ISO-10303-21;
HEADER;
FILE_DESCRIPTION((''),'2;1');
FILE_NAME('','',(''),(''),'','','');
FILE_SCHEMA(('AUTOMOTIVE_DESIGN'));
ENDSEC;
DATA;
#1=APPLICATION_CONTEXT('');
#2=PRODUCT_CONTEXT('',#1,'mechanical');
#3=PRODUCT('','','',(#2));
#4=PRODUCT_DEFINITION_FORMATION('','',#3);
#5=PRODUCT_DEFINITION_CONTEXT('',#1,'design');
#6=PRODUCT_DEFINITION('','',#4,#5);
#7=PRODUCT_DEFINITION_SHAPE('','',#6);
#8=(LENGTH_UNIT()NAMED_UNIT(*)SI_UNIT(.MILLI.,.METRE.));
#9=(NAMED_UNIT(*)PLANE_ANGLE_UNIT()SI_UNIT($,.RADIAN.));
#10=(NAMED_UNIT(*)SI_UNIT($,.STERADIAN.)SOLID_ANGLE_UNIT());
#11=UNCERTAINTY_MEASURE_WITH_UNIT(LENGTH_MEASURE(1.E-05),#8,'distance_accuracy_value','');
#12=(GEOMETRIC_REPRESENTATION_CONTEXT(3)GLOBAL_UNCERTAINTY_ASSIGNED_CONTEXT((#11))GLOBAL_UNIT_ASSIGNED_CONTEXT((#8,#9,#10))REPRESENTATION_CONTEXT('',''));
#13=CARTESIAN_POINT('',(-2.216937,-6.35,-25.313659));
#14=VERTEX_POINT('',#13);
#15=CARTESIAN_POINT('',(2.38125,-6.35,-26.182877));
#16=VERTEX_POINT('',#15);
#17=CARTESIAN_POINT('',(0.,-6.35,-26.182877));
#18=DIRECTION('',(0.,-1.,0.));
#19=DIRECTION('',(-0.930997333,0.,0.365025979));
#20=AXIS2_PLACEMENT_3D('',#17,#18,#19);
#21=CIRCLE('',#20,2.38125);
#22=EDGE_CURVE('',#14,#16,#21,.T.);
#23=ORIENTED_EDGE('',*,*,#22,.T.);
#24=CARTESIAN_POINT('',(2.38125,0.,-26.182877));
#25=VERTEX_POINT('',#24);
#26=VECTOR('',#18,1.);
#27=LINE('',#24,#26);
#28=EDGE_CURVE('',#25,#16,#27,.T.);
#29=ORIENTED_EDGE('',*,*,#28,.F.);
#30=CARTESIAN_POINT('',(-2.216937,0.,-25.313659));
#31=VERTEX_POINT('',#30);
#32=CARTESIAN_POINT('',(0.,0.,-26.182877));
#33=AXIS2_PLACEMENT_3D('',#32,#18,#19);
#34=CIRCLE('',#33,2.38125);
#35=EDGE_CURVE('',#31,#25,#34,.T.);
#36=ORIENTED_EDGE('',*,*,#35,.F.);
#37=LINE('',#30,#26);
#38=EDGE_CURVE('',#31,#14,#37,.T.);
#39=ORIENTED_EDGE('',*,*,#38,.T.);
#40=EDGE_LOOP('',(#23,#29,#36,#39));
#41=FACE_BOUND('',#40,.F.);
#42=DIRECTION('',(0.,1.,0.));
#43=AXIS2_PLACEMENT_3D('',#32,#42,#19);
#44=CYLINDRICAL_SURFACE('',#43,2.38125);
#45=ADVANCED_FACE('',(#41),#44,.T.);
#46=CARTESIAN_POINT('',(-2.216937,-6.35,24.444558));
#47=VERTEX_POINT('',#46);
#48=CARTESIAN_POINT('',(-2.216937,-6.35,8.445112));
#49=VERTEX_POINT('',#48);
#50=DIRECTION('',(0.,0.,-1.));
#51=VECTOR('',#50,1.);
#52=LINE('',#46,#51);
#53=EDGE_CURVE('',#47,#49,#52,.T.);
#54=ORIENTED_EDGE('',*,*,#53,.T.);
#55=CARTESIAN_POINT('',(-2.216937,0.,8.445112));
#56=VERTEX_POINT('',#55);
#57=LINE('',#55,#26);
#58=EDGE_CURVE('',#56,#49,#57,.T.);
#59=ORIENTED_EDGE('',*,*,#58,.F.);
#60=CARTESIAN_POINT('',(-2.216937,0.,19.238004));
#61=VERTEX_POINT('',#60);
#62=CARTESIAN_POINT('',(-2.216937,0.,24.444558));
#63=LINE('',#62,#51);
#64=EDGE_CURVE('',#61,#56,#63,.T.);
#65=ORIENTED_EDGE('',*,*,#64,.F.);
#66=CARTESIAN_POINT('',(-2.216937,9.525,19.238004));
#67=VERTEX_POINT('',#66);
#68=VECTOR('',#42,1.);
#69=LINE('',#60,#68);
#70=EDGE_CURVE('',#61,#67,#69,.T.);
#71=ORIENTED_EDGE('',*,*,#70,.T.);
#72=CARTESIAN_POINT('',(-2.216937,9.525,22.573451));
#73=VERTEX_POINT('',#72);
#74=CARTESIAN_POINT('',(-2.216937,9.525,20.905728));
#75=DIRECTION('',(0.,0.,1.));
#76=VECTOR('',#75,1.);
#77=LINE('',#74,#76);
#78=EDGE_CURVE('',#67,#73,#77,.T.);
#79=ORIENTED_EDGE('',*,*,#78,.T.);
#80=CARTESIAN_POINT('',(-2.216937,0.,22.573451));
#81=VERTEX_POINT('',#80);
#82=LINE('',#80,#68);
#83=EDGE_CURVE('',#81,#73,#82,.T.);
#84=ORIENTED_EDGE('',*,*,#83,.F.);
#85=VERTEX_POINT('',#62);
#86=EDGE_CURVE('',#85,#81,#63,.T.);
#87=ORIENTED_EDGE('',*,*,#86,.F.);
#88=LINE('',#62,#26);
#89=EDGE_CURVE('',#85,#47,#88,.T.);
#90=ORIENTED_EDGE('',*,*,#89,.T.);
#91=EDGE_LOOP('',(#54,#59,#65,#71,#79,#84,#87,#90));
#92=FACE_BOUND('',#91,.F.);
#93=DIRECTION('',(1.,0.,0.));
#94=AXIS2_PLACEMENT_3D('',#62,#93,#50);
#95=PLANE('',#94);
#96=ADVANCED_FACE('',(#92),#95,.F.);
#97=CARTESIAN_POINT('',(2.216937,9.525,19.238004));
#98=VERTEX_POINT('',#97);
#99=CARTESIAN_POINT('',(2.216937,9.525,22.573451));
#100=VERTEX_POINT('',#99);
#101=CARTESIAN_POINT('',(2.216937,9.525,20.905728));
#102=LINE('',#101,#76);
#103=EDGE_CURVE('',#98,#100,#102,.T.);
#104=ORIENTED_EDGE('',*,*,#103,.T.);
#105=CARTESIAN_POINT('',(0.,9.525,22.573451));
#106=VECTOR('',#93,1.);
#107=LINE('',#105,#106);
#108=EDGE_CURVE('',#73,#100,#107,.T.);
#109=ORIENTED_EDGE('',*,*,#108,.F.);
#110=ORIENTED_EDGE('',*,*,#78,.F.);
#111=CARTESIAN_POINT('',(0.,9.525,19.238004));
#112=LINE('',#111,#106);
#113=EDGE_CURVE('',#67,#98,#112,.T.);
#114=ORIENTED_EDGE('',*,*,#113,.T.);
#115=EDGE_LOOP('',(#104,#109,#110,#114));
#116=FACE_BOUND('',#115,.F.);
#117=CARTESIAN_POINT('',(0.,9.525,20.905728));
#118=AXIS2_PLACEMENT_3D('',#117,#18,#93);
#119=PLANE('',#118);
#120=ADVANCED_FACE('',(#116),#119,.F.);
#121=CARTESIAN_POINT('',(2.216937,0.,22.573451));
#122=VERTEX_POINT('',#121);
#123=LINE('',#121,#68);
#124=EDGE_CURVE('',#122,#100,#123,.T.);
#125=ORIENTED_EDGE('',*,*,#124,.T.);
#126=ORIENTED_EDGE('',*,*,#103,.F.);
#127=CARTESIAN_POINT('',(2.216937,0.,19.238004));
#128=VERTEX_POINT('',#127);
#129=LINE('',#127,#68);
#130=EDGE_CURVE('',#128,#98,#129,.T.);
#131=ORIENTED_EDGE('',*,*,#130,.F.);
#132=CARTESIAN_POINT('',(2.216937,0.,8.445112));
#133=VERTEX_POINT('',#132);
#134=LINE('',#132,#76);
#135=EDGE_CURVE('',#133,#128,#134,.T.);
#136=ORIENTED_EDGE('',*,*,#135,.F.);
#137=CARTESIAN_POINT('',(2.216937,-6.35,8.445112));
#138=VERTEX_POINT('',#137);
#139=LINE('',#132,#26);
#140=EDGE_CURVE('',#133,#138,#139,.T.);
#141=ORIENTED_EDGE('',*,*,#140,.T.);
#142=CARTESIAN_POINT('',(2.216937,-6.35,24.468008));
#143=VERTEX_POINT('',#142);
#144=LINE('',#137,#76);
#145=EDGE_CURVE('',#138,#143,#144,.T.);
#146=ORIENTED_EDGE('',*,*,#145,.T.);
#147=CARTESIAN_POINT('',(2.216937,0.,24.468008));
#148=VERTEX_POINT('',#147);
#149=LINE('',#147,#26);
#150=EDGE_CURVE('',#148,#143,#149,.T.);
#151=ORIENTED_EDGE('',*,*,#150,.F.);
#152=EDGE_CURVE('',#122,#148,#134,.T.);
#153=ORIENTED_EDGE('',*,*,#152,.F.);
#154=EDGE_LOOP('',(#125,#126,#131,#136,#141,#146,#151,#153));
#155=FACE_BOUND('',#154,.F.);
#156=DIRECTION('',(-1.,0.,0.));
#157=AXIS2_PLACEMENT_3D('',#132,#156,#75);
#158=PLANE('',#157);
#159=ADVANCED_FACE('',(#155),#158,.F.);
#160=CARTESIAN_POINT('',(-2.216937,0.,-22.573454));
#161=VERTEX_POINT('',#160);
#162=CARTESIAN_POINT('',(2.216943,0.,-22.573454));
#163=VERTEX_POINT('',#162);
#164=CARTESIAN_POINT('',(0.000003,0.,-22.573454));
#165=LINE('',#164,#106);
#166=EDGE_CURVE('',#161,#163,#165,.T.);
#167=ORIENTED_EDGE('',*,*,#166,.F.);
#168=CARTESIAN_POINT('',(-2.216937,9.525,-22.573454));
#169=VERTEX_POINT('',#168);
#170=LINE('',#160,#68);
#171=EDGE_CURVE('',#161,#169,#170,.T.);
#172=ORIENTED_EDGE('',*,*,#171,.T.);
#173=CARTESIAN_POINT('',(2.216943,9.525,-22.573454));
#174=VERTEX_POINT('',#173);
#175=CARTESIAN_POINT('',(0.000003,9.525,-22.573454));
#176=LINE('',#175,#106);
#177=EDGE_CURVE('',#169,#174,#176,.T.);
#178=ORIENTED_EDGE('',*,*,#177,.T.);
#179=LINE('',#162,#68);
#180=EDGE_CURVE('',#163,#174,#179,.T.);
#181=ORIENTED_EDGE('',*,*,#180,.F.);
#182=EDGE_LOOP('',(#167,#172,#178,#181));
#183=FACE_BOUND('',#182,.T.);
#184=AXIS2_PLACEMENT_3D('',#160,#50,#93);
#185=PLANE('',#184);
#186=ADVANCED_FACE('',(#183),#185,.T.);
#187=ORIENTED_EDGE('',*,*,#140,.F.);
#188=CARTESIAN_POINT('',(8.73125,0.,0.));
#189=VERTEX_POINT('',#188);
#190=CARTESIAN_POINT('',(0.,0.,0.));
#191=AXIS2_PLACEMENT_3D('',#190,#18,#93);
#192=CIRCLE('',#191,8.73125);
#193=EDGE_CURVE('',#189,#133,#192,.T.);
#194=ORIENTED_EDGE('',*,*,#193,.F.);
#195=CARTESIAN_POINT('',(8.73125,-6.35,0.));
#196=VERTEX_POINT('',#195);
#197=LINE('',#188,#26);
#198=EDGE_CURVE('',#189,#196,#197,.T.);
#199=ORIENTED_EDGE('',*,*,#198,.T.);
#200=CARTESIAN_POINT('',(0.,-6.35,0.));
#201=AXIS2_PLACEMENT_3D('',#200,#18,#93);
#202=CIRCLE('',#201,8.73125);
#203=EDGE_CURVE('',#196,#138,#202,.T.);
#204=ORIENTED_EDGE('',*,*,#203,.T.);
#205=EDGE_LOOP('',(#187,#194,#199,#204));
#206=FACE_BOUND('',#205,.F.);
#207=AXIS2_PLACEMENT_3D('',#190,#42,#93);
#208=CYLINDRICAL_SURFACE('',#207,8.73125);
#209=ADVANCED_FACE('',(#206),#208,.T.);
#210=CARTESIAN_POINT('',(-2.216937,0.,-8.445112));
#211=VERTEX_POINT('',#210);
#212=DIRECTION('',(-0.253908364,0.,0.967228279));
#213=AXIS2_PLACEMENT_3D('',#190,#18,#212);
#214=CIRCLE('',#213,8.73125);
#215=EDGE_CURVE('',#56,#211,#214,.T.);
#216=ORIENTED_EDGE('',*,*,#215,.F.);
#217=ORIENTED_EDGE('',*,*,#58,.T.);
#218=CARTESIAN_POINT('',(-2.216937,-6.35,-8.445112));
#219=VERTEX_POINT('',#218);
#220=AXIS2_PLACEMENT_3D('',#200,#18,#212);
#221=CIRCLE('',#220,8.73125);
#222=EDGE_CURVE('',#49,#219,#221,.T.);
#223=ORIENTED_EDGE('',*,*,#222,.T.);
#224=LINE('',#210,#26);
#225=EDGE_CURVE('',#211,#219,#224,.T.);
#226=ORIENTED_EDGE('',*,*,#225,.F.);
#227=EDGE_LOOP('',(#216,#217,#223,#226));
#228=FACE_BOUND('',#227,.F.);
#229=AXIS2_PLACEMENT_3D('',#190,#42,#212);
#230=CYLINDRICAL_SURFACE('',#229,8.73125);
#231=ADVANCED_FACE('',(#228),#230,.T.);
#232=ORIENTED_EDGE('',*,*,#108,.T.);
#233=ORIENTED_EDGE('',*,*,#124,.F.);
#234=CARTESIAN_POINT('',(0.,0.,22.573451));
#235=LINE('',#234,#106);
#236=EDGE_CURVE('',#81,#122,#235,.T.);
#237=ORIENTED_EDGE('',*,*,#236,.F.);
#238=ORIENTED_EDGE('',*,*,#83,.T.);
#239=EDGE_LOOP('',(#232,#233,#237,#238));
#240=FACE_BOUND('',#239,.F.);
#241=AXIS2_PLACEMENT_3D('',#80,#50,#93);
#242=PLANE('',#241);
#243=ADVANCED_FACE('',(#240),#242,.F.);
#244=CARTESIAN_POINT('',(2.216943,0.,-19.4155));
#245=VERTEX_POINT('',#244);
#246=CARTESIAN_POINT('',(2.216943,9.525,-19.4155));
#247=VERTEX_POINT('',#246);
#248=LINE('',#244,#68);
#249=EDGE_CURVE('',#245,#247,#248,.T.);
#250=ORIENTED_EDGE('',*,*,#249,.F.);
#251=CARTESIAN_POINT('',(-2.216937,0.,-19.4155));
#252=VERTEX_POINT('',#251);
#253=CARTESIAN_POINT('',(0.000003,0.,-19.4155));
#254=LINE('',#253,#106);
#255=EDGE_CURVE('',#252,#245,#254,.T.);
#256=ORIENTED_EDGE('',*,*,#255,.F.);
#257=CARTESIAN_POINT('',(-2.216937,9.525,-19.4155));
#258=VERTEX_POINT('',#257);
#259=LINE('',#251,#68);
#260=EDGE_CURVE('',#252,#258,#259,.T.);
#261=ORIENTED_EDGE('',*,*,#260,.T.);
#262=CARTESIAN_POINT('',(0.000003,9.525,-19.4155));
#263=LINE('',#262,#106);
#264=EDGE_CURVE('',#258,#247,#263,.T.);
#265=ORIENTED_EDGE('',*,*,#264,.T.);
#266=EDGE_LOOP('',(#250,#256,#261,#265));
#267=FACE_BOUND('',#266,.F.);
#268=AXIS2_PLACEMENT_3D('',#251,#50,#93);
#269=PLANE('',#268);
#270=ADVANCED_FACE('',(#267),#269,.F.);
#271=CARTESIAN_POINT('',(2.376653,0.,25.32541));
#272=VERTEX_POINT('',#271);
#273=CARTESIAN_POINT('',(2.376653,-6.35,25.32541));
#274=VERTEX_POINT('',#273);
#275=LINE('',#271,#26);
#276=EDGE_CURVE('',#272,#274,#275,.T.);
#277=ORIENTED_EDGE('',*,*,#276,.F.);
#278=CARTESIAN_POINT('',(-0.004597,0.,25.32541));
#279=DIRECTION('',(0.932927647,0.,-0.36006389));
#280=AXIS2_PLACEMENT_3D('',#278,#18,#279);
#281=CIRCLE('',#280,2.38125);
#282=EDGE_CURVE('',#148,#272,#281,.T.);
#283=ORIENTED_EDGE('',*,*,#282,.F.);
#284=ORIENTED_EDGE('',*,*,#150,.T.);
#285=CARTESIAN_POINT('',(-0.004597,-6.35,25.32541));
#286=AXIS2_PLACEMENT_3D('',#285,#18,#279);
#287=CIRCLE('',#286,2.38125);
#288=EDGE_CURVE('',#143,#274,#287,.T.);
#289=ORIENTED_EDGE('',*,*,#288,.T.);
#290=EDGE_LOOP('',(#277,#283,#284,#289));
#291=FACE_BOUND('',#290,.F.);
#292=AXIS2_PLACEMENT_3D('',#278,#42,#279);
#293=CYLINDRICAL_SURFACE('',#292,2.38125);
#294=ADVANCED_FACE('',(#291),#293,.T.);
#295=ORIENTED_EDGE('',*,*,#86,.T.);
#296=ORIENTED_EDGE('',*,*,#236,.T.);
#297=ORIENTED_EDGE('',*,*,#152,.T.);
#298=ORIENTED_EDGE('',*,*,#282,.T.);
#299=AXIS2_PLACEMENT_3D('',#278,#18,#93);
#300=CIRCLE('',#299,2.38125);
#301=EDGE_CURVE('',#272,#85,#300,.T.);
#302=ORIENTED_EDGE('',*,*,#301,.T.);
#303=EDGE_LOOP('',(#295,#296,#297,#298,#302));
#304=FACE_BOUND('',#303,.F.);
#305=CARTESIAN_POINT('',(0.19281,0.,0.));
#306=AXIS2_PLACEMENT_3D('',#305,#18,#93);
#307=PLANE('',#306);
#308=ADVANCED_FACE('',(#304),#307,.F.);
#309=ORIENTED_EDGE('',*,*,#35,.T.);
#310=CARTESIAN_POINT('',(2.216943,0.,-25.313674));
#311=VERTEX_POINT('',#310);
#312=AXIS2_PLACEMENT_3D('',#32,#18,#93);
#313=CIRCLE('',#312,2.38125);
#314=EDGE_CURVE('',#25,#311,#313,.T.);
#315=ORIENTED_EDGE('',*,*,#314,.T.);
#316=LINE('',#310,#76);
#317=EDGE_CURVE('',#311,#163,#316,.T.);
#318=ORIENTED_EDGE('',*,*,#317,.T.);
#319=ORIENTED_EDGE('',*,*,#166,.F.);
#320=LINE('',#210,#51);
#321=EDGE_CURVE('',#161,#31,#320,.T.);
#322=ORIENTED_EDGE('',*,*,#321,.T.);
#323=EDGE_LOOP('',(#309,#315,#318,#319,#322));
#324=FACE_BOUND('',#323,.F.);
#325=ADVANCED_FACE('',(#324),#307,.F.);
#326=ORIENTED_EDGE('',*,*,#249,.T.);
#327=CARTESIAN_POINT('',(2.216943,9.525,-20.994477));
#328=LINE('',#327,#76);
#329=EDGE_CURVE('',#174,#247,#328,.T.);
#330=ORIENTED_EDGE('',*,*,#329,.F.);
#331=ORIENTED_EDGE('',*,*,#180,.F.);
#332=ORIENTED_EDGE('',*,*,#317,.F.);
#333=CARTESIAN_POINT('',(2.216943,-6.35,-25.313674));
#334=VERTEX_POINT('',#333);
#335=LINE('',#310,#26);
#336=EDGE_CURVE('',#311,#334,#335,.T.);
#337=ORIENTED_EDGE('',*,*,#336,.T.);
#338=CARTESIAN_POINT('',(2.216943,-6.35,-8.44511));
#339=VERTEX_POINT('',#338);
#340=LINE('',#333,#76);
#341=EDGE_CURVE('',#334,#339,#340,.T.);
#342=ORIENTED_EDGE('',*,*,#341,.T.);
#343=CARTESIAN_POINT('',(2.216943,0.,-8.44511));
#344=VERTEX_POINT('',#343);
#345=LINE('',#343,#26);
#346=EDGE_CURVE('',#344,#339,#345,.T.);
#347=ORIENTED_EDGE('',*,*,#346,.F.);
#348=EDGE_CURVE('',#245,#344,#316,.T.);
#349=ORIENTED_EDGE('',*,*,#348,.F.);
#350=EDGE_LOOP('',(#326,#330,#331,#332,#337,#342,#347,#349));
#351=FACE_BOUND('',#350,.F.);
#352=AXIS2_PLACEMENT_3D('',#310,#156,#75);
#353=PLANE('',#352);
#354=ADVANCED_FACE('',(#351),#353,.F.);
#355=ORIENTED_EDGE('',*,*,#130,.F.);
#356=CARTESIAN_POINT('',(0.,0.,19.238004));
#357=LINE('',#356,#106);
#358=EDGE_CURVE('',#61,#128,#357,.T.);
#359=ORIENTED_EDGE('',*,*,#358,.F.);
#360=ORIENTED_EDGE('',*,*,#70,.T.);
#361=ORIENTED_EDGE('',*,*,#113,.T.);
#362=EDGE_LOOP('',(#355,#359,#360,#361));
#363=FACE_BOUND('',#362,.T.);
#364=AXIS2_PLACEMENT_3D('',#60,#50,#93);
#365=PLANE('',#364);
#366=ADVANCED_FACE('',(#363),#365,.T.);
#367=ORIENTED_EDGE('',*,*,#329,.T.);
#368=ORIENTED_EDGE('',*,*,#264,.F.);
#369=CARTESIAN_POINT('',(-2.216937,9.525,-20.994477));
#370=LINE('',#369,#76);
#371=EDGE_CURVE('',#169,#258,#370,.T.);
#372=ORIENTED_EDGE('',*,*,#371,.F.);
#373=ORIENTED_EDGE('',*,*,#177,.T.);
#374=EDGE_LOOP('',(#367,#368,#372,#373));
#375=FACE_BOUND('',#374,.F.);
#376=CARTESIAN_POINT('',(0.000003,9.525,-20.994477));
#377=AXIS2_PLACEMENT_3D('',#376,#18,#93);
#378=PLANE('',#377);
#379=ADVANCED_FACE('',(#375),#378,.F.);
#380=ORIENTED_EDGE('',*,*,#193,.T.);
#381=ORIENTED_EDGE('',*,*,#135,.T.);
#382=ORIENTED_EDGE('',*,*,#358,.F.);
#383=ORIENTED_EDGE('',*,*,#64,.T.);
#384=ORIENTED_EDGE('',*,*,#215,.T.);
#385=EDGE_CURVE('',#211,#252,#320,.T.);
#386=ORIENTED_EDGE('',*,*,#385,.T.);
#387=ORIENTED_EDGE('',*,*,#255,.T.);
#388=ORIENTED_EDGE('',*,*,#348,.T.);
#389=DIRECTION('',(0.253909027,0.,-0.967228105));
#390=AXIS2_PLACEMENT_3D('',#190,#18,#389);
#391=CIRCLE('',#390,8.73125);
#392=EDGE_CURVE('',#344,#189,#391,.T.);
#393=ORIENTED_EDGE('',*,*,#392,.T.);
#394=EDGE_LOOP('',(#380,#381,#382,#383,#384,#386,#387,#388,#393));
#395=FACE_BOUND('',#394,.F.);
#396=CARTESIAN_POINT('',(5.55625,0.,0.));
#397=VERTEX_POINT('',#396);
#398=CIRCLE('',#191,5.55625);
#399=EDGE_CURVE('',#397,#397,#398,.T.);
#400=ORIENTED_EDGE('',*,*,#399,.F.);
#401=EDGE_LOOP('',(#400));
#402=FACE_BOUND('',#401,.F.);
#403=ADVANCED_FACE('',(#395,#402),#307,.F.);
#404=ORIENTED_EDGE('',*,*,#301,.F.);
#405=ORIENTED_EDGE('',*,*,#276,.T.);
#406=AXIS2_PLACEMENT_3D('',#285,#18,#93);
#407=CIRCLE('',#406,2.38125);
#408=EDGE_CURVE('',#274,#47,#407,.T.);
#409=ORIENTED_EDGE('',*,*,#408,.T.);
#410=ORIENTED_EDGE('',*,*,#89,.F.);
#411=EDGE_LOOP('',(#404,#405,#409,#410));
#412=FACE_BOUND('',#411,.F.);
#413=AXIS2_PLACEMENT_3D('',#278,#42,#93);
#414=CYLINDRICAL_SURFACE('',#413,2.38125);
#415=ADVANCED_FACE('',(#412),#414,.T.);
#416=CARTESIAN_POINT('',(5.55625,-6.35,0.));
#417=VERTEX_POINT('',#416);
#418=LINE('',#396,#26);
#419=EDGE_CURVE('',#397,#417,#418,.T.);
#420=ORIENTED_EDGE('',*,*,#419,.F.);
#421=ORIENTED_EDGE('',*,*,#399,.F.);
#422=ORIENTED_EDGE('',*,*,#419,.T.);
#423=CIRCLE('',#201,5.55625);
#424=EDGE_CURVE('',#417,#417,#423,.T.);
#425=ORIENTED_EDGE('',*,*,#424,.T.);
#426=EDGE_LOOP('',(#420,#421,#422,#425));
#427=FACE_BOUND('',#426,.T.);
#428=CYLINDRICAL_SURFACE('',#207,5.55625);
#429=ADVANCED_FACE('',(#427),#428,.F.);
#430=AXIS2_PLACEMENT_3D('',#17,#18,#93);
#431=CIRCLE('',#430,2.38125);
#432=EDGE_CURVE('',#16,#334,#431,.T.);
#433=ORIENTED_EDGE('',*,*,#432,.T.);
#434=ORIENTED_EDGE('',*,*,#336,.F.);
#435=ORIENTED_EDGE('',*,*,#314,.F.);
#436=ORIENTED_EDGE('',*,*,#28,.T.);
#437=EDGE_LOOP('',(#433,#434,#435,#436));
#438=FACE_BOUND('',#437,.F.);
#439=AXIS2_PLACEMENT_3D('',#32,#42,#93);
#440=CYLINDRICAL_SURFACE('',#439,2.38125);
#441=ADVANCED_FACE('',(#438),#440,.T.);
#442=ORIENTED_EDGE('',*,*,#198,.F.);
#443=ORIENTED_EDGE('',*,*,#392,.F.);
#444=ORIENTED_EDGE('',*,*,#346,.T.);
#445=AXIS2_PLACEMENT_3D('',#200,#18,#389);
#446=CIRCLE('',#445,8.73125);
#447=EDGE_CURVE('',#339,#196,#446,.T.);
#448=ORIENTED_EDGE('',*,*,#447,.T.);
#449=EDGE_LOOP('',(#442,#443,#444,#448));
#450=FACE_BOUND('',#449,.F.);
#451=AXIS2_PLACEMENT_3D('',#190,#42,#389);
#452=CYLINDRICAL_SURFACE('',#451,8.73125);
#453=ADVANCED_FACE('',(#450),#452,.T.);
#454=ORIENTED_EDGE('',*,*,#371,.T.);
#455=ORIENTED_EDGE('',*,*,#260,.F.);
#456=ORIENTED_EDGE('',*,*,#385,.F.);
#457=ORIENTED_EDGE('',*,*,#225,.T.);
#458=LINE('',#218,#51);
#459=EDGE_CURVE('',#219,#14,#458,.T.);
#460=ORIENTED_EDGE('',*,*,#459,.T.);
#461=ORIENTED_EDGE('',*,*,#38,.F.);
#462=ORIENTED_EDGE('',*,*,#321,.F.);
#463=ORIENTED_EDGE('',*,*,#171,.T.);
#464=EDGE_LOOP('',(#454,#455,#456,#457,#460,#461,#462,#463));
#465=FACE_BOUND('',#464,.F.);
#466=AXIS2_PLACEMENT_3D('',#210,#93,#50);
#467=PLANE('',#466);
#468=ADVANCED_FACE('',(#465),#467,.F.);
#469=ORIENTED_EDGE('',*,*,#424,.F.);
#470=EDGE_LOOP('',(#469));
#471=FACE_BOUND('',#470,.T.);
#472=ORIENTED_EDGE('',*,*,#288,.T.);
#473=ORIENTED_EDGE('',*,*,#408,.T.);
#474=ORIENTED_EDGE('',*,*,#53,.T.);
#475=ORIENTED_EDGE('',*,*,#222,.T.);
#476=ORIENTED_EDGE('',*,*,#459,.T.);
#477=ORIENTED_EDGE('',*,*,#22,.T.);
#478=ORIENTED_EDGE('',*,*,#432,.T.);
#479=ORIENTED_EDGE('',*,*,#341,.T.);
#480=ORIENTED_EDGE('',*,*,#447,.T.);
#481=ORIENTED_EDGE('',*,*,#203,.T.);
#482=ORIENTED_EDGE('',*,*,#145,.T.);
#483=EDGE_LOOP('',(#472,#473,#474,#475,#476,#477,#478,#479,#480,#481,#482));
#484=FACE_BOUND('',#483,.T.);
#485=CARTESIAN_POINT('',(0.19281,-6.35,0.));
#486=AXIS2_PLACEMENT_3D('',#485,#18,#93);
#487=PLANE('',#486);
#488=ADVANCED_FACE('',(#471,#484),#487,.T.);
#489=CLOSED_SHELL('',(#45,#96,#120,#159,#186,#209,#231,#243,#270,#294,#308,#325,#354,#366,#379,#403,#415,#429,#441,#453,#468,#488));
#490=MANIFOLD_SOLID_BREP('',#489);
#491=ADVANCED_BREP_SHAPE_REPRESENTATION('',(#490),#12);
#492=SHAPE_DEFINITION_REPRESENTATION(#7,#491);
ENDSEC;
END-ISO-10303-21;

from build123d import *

# Parameters (mm, degrees)
F0_R     = 5.55625
F0_W     = 4.4338748
F0_H     = 3.3354461193
F0_W_2   = 4.4338805894
F0_H_2   = 3.1579534903
F1_DEPTH = 6.35
F2_DEPTH = 9.525


with BuildPart() as f1:
    # F0 (on Front) → F1 (new body)
    with BuildSketch(Plane.XZ):
        with BuildLine():
            ThreePointArc((2.2169431894, -8.4451103875), (6.9134438518, -5.3328248302), (8.73125, 0))
            ThreePointArc((8.73125, 0), (6.9134420239, 5.3328271999), (2.2169374, 8.4451119073))
            ThreePointArc((2.2169374, 8.4451119073), (0, 8.73125), (-2.2169374, 8.4451119073))
            ThreePointArc((-2.2169374, 8.4451119073), (-8.73125, 0), (-2.2169374, -8.4451119073))
            ThreePointArc((-2.2169374, -8.4451119073), (2.9928e-06, -8.73125), (2.2169431894, -8.4451103875))
        make_face()
        Circle(F0_R, mode=Mode.SUBTRACT)
        with BuildLine():
            ThreePointArc((-2.2169374, 8.4451119073), (0, 8.73125), (2.2169374, 8.4451119073))
            Line((2.2169374, 8.4451119073), (2.2169374, 19.2380044443))
            Line((2.2169374, 19.2380044443), (-2.2169374, 19.2380044443))
            Line((-2.2169374, 19.2380044443), (-2.2169374, 8.4451119073))
        make_face()
        with Locations((0, 20.9057275039)):
            Rectangle(F0_W, F0_H)
        with BuildLine():
            Line((-2.2169374, 22.5734505636), (2.2169374, 22.5734505636))
            Line((2.2169374, 22.5734505636), (2.2169374, 24.4680076557))
            ThreePointArc((2.2169374, 24.4680076557), (0.0079970052, 22.9441930949), (-2.2169374, 24.444558176))
            Line((-2.2169374, 24.444558176), (-2.2169374, 22.5734505636))
        make_face()
        with BuildLine():
            ThreePointArc((-2.2169374, 24.444558176), (0.0079970052, 22.9441930949), (2.2169374, 24.4680076557))
            ThreePointArc((2.2169374, 24.4680076557), (2.3363839293, 24.8893342153), (2.3766534396, 25.3254097933))
            ThreePointArc((2.3766534396, 25.3254097933), (-0.4530466345, 27.6640512993), (-2.2169374, 24.444558176))
        make_face()
        with BuildLine():
            ThreePointArc((2.38125, -26.1828773278), (2.3398127631, -25.7405790163), (2.2169431894, -25.3136739814))
            ThreePointArc((2.2169431894, -25.3136739814), (7.9302e-06, -23.8016273278), (-2.2169374, -25.3136592154))
            ThreePointArc((-2.2169374, -25.3136592154), (-0.4423061037, -28.5226886179), (2.38125, -26.1828773278))
        make_face()
        with BuildLine():
            Line((2.2169431894, -19.4155004973), (2.2169431894, -8.4451103875))
            ThreePointArc((2.2169431894, -8.4451103875), (2.9928e-06, -8.73125), (-2.2169374, -8.4451119073))
            Line((-2.2169374, -8.4451119073), (-2.2169374, -19.4155004973))
            Line((-2.2169374, -19.4155004973), (2.2169431894, -19.4155004973))
        make_face()
        with Locations((2.8947e-06, -20.9944772424)):
            Rectangle(F0_W_2, F0_H_2)
        with BuildLine():
            Line((2.2169431894, -25.3136739814), (2.2169431894, -22.5734539875))
            Line((2.2169431894, -22.5734539875), (-2.2169374, -22.5734539875))
            Line((-2.2169374, -22.5734539875), (-2.2169374, -25.3136592154))
            ThreePointArc((-2.2169374, -25.3136592154), (7.9302e-06, -23.8016273278), (2.2169431894, -25.3136739814))
        make_face()
    extrude(amount=F1_DEPTH)

    # F0 (on Front) → F2 (join)
    with BuildSketch(Plane.XZ):
        with Locations((0, 20.9057275039)):
            Rectangle(F0_W, F0_H)
        with Locations((2.8947e-06, -20.9944772424)):
            Rectangle(F0_W_2, F0_H_2)
    extrude(amount=-F2_DEPTH)


solid = f1.part
